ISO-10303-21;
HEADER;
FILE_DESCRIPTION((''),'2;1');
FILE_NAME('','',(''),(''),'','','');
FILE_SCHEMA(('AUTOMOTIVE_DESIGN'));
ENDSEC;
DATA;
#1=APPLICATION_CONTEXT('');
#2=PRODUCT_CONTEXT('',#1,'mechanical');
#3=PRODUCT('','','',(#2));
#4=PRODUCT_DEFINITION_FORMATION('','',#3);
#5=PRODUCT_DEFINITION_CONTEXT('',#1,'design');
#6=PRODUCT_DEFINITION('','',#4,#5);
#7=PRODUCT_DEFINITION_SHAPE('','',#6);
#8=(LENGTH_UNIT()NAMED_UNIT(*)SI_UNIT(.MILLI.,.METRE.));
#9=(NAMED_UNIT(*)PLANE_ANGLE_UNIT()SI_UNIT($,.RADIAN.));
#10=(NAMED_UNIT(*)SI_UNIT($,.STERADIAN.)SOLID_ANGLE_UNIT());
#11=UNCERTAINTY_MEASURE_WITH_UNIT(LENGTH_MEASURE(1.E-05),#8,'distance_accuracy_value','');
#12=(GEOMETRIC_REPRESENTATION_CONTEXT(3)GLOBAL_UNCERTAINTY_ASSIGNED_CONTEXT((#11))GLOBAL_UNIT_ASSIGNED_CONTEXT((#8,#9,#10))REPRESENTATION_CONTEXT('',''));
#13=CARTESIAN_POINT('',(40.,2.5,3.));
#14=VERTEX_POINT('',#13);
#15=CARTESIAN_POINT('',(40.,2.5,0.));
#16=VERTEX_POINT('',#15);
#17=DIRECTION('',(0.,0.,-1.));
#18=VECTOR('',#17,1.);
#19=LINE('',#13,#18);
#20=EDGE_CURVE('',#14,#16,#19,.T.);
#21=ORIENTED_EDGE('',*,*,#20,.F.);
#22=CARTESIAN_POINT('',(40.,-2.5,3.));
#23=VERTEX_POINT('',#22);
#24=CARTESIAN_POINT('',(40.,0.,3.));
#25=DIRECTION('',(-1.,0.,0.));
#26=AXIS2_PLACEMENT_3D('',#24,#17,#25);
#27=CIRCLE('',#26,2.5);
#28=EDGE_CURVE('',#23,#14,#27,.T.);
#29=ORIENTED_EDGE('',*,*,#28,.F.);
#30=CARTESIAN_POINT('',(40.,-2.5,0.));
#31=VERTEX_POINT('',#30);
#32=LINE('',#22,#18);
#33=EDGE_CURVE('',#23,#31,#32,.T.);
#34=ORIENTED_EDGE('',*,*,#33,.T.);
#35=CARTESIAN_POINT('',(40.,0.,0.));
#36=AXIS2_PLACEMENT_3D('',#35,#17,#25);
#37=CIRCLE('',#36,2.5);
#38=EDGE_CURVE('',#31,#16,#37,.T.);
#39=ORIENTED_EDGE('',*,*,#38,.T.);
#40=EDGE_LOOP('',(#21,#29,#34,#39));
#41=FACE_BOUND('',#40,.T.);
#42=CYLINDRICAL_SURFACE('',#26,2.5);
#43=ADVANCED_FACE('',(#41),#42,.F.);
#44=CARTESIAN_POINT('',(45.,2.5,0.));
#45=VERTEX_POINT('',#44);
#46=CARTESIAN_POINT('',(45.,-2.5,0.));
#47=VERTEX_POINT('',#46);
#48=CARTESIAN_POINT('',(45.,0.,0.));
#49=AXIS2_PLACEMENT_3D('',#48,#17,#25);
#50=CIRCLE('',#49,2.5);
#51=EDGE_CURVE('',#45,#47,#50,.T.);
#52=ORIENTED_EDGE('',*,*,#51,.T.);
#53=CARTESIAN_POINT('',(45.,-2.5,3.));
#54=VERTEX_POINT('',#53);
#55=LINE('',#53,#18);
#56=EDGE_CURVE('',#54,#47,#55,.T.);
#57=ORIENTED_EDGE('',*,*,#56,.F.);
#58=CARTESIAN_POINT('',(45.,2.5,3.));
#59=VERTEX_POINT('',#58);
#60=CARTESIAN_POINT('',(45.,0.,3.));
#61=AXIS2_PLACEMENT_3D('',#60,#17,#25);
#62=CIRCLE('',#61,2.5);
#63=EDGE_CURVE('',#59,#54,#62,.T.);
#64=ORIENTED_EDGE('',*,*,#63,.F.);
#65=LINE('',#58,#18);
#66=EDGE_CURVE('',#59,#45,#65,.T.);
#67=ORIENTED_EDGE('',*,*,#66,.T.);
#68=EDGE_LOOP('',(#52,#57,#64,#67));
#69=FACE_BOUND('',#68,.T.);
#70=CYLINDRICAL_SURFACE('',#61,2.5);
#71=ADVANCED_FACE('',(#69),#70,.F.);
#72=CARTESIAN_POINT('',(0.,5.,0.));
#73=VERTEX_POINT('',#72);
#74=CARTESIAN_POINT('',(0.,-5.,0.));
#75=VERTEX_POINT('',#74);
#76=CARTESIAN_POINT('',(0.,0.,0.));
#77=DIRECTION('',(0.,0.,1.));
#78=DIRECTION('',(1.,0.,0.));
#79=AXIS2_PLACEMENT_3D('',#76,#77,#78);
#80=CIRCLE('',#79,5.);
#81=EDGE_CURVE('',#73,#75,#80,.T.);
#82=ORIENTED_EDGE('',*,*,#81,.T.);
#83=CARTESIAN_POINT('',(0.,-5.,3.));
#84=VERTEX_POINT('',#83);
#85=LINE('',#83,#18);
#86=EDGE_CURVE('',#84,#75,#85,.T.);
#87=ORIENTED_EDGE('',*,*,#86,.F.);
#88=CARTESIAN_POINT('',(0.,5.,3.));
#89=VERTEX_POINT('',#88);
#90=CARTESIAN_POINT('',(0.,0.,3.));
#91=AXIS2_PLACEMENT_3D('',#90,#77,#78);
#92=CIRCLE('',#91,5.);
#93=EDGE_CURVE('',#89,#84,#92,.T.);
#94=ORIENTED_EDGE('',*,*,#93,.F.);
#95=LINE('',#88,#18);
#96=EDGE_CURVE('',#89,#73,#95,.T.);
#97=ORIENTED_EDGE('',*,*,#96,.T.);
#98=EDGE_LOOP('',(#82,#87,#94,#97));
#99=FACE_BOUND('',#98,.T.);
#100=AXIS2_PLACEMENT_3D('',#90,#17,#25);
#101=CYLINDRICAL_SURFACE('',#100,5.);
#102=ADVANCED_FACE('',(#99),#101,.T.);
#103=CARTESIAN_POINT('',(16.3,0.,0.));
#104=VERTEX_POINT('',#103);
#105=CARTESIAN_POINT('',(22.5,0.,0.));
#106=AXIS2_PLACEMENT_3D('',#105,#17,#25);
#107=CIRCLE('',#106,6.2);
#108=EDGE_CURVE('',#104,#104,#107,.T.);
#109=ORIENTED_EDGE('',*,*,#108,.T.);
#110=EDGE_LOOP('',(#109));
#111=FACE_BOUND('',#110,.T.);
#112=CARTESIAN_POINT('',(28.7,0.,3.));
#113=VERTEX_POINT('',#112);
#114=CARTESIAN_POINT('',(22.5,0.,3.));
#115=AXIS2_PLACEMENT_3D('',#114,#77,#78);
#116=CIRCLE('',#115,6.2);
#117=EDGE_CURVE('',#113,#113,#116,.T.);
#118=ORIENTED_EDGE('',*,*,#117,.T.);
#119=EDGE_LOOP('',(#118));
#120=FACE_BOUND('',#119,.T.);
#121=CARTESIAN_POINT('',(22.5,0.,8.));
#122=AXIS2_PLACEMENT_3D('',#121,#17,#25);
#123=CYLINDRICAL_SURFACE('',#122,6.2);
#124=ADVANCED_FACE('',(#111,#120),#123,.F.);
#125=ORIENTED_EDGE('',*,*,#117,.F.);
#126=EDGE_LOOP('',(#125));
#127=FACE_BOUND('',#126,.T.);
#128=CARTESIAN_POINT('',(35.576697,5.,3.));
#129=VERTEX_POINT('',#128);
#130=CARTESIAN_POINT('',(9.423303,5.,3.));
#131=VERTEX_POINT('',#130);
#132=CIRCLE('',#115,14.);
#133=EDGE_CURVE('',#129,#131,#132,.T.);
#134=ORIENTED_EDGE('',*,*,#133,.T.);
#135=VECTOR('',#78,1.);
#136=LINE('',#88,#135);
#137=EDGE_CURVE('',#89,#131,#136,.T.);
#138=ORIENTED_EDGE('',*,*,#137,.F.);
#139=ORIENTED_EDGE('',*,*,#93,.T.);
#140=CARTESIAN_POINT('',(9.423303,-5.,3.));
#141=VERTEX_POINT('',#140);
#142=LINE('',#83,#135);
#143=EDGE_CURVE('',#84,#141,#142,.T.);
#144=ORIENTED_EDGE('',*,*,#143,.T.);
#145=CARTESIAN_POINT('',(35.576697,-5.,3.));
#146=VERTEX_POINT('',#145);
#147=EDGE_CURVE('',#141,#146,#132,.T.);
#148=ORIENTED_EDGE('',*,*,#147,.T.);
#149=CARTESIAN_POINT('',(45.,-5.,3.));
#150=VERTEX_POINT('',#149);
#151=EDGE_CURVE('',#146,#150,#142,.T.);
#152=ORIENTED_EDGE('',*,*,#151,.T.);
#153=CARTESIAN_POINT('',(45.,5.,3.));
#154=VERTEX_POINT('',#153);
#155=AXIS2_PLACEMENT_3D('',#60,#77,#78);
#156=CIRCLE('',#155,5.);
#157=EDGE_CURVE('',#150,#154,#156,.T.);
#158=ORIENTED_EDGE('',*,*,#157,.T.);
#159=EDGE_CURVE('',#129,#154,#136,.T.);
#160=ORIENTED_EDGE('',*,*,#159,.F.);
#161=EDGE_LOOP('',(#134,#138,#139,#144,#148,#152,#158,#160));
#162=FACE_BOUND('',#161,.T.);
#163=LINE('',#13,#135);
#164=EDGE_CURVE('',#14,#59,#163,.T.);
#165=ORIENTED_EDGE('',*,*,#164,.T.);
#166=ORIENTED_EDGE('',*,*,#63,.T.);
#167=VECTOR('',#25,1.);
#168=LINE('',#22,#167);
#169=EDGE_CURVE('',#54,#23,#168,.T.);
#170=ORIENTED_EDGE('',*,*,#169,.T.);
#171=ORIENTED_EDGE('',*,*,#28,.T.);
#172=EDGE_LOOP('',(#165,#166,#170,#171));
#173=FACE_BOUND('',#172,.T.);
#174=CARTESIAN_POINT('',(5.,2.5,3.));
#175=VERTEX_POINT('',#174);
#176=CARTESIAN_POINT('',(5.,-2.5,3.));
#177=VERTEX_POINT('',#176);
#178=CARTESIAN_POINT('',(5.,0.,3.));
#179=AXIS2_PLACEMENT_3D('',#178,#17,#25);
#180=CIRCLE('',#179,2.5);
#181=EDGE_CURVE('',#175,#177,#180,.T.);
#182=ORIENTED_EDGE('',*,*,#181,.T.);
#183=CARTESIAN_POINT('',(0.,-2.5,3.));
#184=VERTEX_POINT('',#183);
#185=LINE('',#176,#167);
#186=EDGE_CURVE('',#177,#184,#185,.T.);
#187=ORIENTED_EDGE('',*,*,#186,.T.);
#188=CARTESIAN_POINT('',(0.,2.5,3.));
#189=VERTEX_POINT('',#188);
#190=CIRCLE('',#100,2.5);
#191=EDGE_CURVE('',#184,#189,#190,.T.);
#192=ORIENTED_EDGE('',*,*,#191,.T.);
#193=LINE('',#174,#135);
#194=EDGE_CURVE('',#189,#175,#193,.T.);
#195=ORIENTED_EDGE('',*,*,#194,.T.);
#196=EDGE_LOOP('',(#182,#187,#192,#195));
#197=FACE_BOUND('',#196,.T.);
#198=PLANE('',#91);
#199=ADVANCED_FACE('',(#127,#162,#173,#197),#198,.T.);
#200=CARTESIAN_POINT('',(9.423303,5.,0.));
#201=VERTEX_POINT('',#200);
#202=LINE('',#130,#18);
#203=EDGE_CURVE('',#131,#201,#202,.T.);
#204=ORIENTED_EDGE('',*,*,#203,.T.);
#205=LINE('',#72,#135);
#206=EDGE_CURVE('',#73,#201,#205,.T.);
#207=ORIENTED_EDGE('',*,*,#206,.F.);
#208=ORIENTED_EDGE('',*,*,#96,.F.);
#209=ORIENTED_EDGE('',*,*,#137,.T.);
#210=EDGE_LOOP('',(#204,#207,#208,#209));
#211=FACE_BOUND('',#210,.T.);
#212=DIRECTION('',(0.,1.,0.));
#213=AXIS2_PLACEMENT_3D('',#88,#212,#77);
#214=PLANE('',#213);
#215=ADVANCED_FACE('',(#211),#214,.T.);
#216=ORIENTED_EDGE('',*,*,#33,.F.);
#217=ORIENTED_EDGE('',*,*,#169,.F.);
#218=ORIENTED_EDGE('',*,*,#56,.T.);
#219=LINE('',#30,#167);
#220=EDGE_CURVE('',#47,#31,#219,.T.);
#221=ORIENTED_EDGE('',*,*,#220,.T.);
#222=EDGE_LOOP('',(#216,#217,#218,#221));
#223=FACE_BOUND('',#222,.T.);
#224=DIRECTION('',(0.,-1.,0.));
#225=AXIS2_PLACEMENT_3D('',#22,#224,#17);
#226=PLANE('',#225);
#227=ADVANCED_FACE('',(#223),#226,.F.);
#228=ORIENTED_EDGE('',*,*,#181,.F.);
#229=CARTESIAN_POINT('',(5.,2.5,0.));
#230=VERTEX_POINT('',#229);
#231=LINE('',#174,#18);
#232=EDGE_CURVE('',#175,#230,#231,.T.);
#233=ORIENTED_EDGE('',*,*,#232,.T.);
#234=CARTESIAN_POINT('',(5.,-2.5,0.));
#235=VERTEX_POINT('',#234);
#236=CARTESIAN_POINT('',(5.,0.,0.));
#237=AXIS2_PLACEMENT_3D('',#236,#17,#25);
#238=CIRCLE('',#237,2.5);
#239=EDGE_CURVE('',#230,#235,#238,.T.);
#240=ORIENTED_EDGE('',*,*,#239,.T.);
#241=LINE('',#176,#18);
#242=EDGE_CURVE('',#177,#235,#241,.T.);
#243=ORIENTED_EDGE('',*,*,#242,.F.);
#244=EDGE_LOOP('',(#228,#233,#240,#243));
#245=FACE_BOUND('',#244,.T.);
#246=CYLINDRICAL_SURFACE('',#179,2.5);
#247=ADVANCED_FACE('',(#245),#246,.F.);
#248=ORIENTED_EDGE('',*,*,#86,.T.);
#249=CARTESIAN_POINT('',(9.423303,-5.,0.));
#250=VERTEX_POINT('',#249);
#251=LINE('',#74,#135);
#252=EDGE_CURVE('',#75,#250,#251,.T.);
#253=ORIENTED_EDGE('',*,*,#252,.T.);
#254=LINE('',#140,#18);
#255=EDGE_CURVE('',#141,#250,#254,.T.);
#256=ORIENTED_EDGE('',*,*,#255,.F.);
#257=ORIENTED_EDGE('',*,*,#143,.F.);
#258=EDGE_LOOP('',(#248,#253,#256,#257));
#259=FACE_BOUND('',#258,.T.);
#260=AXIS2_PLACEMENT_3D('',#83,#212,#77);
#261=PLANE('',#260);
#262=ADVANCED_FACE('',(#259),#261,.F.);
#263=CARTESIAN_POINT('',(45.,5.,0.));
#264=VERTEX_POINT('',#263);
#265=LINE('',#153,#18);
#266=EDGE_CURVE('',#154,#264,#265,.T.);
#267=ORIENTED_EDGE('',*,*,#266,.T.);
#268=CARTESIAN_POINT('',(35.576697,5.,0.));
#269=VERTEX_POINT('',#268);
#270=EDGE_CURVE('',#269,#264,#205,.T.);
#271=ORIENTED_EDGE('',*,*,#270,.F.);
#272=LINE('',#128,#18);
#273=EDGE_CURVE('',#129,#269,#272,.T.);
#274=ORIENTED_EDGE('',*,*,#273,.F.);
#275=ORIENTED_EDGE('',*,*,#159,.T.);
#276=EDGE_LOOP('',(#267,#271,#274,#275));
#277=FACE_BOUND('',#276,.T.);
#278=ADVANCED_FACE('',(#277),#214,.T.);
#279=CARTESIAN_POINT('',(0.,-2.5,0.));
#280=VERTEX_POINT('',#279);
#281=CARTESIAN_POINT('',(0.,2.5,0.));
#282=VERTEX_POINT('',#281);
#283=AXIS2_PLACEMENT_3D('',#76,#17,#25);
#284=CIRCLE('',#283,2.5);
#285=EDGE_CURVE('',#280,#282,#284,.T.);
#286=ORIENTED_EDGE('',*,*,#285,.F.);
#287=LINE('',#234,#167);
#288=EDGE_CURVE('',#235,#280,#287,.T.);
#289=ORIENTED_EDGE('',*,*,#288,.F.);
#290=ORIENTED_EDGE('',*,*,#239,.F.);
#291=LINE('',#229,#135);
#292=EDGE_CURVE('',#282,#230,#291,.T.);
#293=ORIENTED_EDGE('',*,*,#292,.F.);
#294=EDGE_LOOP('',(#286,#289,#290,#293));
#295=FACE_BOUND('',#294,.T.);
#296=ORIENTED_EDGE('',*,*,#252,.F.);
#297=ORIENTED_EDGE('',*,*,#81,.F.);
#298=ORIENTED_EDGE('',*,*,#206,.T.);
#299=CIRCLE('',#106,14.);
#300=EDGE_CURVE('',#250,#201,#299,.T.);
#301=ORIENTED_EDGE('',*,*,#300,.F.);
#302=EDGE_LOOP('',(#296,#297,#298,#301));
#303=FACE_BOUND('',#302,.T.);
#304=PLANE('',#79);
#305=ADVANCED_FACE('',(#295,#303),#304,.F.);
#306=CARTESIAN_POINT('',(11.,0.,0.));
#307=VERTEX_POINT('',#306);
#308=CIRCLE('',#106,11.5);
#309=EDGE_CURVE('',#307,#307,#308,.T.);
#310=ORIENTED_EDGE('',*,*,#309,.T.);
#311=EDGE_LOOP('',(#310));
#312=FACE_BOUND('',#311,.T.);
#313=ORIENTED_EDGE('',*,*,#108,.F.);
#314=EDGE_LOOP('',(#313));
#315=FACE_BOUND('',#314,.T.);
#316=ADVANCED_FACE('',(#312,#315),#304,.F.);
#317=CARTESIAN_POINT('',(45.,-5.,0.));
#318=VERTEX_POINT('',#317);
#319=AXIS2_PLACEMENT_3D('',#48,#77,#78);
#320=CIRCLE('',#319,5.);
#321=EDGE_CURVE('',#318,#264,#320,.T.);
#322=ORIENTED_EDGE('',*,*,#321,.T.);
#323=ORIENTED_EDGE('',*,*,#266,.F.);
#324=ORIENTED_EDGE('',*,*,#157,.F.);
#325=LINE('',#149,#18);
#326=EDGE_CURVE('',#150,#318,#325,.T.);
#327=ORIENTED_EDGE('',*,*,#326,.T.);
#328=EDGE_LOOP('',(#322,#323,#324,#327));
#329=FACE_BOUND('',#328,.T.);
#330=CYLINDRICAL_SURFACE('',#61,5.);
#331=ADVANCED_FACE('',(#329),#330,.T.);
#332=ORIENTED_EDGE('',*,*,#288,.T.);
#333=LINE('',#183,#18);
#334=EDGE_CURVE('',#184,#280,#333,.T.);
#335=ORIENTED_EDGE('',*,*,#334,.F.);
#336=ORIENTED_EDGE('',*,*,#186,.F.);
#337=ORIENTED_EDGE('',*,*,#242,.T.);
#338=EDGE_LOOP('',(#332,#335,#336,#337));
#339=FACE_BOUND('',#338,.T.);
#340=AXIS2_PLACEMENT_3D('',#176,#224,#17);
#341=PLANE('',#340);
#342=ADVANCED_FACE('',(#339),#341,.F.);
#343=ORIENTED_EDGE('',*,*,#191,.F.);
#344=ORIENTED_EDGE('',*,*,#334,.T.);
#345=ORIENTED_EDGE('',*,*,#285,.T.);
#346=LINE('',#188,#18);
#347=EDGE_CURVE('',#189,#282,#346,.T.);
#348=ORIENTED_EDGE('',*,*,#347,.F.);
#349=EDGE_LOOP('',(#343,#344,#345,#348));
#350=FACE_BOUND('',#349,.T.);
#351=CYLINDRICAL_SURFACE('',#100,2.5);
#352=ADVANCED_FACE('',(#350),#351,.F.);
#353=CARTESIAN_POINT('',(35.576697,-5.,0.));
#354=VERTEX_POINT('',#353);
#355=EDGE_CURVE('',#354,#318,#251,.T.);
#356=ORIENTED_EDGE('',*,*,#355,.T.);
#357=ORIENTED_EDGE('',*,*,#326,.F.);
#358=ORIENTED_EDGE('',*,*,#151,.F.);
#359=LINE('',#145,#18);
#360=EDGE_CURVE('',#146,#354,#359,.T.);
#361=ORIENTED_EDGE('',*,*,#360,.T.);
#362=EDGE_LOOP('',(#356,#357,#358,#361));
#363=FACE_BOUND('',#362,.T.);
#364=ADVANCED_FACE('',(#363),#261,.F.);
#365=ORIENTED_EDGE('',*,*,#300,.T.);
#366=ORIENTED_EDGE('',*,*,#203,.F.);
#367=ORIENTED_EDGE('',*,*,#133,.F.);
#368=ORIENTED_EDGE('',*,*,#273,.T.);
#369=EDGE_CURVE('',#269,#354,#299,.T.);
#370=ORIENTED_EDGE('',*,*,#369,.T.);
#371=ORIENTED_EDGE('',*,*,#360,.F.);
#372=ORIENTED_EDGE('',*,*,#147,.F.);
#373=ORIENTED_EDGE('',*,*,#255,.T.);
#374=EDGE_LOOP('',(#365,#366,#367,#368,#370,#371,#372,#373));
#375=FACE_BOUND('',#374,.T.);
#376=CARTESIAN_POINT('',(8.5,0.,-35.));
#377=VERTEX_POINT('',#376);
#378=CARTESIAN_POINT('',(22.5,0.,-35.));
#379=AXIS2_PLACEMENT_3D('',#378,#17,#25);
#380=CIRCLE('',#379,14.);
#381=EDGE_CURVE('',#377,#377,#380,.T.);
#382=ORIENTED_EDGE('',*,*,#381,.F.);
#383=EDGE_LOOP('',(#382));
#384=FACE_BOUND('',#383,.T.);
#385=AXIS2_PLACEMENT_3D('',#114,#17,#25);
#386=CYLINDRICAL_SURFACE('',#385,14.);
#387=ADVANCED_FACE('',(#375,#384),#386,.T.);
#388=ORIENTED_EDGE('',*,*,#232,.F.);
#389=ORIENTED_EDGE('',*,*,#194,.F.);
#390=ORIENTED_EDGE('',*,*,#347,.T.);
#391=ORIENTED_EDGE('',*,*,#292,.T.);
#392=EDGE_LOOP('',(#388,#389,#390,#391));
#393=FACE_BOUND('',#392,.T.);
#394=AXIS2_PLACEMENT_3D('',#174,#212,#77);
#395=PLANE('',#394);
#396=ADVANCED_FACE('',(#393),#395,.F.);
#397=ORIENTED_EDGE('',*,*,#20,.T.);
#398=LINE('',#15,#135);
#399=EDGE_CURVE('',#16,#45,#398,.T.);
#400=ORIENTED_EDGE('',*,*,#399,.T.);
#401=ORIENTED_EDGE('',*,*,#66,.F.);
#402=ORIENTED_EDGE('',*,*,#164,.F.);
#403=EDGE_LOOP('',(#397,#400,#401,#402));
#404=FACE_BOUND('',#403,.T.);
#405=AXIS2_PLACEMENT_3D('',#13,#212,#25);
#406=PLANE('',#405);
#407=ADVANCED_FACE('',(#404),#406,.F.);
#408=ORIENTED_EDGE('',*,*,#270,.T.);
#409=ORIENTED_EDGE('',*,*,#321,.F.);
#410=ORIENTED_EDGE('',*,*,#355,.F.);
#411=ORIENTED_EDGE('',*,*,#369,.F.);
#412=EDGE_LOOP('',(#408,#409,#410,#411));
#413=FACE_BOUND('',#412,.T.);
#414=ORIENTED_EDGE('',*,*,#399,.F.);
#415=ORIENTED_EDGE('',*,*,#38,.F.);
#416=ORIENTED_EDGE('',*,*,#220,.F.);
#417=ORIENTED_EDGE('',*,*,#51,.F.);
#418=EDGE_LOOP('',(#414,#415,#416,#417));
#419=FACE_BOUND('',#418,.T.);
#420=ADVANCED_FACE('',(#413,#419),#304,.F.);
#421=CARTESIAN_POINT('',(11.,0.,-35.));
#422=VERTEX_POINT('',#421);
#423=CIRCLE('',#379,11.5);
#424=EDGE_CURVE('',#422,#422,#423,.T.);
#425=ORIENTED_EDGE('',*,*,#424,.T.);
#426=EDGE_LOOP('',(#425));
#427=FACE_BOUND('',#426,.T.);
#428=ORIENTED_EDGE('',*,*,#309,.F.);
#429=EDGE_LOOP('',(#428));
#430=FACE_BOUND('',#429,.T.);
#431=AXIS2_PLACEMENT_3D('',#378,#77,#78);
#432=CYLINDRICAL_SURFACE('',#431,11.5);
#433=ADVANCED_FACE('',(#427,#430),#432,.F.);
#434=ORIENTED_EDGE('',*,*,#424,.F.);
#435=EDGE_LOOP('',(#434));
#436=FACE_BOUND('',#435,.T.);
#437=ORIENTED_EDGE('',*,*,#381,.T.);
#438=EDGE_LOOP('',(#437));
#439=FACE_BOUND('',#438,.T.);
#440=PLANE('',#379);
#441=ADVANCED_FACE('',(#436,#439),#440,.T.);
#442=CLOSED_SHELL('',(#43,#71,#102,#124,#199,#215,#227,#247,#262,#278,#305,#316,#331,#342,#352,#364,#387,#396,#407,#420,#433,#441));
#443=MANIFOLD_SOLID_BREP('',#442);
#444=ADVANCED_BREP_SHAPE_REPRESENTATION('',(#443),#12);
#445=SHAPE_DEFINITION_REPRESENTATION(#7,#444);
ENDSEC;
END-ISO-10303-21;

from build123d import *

# Parameters (mm, degrees)
SKETCH1_R           = 14
BOSS_EXTRUDE1_DEPTH = 3
SKETCH2_R           = 6.2
CUT_EXTRUDE1_DEPTH  = 8
BOSS_EXTRUDE2_START = 35
SKETCH3_R           = 14
SKETCH3_R_2         = 11.5
BOSS_EXTRUDE2_DEPTH = 35
CUT_EXTRUDE2_DEPTH  = 63.617888818


with BuildPart() as part:
    # Sketch1 → Boss-Extrude1 (new body)
    with BuildSketch(Plane.XY):
        with Locations((22.5, 0)):
            Circle(SKETCH1_R)
        with BuildLine():
            Line((0, 5), (45, 5))
            ThreePointArc((45, 5), (50, 0), (45, -5))
            Line((45, -5), (0, -5))
            ThreePointArc((0, -5), (-5, 0), (0, 5))
        make_face()
    extrude(amount=BOSS_EXTRUDE1_DEPTH)

    # Sketch2 → Cut-Extrude1 (cut)
    with BuildSketch(Plane(origin=(0, 0, 0), x_dir=(-1, 0, 0), z_dir=(0, 0, -1))):
        with Locations((-22.5, 0)):
            Circle(SKETCH2_R)
    extrude(amount=-CUT_EXTRUDE1_DEPTH, mode=Mode.SUBTRACT)

    # Sketch3 → Boss-Extrude2 (add)
    with BuildSketch(Plane(origin=(0, 0, 0), x_dir=(-1, 0, 0), z_dir=(0, 0, -1)).offset(BOSS_EXTRUDE2_START)):
        with Locations((-22.5, 0)):
            Circle(SKETCH3_R)
        with Locations((-22.5, 0)):
            Circle(SKETCH3_R_2, mode=Mode.SUBTRACT)
    extrude(amount=-BOSS_EXTRUDE2_DEPTH)

    # Sketch4 → Cut-Extrude2 (cut, through all)
    with BuildSketch(Plane(origin=(0, 0, 0), x_dir=(-1, 0, 0), z_dir=(0, 0, -1))):
        with BuildLine():
            Line((-40, -2.5), (-45, -2.5))
            ThreePointArc((-45, -2.5), (-47.5, 0), (-45, 2.5))
            Line((-45, 2.5), (-40, 2.5))
            ThreePointArc((-40, 2.5), (-37.5, 0), (-40, -2.5))
        make_face()
        with BuildLine():
            Line((-5, 2.5), (0, 2.5))
            ThreePointArc((0, 2.5), (2.5, 0), (0, -2.5))
            Line((0, -2.5), (-5, -2.5))
            ThreePointArc((-5, -2.5), (-7.5, 0), (-5, 2.5))
        make_face()
    extrude(amount=-CUT_EXTRUDE2_DEPTH, mode=Mode.SUBTRACT)


solid = part.part
